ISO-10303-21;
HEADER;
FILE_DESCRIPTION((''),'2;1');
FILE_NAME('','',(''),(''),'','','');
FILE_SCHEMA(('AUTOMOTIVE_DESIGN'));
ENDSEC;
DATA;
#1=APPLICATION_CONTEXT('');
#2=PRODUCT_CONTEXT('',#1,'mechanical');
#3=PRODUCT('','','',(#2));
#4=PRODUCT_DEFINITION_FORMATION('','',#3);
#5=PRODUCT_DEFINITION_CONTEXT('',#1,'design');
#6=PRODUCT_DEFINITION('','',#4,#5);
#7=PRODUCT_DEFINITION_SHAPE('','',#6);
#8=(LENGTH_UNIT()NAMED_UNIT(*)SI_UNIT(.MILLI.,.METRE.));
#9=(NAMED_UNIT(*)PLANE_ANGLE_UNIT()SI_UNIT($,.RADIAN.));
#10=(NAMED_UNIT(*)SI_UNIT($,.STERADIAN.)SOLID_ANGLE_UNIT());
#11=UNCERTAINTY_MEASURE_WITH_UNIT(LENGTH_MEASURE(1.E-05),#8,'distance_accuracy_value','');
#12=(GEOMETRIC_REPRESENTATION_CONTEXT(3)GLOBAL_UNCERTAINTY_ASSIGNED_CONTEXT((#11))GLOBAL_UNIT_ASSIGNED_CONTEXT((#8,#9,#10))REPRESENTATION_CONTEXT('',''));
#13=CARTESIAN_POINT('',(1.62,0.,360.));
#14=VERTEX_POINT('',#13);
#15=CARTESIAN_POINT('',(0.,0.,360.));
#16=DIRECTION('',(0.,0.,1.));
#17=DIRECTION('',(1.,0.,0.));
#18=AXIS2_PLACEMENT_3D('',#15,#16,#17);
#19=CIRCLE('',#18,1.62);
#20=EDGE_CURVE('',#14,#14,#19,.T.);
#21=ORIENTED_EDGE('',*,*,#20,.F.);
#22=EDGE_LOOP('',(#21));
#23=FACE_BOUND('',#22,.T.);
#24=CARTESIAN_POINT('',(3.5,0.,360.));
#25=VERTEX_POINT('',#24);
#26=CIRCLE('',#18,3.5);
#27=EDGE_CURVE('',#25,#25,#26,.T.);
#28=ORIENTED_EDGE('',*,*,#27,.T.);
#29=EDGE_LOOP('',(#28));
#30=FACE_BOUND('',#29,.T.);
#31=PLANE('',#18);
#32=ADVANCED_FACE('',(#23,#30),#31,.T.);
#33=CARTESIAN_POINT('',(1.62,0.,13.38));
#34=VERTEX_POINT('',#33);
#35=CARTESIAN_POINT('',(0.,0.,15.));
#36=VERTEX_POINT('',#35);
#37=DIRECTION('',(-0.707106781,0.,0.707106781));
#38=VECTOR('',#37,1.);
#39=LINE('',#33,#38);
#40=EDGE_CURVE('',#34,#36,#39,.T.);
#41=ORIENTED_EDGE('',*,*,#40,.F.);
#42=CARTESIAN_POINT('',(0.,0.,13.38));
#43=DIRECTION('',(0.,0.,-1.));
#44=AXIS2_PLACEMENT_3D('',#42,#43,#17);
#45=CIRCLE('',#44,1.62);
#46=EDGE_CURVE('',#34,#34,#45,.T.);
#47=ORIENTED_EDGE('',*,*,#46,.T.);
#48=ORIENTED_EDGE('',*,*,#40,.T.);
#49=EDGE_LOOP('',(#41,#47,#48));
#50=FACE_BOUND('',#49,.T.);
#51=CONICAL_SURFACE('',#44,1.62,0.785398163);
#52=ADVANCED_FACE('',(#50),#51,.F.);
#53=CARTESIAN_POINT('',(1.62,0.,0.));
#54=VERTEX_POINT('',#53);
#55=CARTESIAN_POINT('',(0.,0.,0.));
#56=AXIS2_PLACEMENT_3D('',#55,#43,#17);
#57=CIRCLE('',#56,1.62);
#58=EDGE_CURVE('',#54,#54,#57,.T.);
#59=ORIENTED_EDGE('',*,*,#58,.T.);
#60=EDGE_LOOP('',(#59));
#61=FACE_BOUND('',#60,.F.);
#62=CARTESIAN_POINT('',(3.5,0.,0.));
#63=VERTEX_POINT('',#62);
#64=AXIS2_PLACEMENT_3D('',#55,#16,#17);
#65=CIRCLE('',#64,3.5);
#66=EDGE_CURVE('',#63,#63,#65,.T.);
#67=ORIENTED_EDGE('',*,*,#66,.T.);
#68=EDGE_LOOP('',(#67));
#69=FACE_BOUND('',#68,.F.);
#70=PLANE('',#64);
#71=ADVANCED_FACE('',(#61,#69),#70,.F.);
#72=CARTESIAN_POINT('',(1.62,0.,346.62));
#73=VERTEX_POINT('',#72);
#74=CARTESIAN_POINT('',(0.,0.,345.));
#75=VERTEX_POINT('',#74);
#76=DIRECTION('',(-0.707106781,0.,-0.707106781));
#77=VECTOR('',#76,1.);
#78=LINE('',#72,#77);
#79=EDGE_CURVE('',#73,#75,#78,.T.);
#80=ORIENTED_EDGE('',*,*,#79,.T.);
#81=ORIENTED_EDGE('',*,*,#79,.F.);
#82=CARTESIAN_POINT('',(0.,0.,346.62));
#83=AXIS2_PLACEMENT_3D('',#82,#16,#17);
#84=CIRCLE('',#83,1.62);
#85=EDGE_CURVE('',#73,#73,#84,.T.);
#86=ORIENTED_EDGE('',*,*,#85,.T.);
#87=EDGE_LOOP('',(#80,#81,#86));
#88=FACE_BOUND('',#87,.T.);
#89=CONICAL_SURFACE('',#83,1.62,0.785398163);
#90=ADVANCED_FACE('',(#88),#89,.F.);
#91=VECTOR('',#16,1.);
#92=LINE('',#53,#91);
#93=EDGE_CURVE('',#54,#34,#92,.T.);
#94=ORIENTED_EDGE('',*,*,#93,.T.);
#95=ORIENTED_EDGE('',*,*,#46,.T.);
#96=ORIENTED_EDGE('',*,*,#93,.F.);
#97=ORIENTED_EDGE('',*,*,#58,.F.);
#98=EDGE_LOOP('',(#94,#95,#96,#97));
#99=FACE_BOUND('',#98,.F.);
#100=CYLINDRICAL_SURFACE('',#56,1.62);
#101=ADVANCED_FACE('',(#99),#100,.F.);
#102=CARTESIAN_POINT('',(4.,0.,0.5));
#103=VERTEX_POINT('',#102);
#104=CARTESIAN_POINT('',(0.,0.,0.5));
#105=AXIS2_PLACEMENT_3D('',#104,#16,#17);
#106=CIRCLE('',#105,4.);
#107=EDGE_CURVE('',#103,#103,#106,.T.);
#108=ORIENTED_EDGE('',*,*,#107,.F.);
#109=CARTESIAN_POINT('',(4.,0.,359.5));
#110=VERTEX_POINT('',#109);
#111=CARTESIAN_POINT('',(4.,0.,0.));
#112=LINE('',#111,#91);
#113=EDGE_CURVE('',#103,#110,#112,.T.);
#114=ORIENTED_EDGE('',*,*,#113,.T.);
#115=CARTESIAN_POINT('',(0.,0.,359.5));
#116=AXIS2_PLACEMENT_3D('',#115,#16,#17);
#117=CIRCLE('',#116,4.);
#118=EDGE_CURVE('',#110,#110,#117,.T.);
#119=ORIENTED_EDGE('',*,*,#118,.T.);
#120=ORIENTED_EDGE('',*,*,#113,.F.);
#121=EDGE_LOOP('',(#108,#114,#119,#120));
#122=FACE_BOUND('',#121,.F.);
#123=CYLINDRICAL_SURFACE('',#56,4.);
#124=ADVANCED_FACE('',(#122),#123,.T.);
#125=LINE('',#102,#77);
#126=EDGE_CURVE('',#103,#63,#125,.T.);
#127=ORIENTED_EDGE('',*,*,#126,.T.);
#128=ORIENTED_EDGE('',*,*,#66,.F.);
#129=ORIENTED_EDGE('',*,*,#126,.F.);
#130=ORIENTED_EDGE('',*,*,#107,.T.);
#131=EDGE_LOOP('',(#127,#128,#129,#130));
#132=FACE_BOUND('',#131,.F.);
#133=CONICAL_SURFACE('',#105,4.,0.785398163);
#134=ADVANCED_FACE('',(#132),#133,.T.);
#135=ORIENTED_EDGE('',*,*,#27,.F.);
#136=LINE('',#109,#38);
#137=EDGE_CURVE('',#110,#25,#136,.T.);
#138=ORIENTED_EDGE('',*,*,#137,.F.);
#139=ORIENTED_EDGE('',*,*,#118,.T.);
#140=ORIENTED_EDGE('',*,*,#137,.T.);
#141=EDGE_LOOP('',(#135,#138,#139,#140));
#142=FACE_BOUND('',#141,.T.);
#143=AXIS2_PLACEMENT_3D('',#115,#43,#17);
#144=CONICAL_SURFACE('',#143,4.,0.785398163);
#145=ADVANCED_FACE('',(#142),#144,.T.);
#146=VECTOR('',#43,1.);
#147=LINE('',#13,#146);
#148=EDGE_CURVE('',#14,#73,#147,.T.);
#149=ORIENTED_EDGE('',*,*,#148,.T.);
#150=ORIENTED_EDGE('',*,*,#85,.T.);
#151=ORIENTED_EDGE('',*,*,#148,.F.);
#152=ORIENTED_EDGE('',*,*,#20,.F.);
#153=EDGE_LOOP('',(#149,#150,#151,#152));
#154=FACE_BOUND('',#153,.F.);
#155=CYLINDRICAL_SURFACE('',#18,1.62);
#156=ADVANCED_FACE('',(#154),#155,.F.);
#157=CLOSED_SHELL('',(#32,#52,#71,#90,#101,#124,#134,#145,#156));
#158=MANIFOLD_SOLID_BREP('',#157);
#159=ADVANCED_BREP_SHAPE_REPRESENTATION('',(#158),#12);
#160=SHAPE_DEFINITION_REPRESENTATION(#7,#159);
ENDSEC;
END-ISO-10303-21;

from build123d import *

# Parameters (mm, degrees)
SKETCH_R        = 4
PAD_DEPTH       = 360
CHAMFER_SIZE    = 0.5
SKETCH001_R     = 1.62
POCKET_DEPTH    = 15
SKETCH002_R     = 1.62
POCKET001_DEPTH = 15
CHAMFER001_SIZE = 1.62


with BuildPart() as part:
    # Sketch → Pad (new body)
    with BuildSketch(Plane.XY):
        Circle(SKETCH_R)
    extrude(amount=PAD_DEPTH)

    # Chamfer
    chamfer_edges = [part.edges().sort_by_distance(p)[0] for p in [
        (-4, 0, 0),
        (-4, 0, 360),
    ]]
    chamfer(chamfer_edges, length=CHAMFER_SIZE)

    # Sketch001 → Pocket (cut)
    with BuildSketch(Plane.XY.offset(360)):
        Circle(SKETCH001_R)
    extrude(amount=-POCKET_DEPTH, mode=Mode.SUBTRACT)

    # Sketch002 → Pocket001 (cut)
    with BuildSketch(Plane(origin=(0, 0, 0), x_dir=(1, 0, 0), z_dir=(0, 0, -1))):
        Circle(SKETCH002_R)
    extrude(amount=-POCKET001_DEPTH, mode=Mode.SUBTRACT)

    # Chamfer001
    chamfer001_edges = [part.edges().sort_by_distance(p)[0] for p in [
        (-1.62, 0, 15),
        (-1.62, 0, 345),
    ]]
    chamfer(chamfer001_edges, length=CHAMFER001_SIZE)


solid = part.part
